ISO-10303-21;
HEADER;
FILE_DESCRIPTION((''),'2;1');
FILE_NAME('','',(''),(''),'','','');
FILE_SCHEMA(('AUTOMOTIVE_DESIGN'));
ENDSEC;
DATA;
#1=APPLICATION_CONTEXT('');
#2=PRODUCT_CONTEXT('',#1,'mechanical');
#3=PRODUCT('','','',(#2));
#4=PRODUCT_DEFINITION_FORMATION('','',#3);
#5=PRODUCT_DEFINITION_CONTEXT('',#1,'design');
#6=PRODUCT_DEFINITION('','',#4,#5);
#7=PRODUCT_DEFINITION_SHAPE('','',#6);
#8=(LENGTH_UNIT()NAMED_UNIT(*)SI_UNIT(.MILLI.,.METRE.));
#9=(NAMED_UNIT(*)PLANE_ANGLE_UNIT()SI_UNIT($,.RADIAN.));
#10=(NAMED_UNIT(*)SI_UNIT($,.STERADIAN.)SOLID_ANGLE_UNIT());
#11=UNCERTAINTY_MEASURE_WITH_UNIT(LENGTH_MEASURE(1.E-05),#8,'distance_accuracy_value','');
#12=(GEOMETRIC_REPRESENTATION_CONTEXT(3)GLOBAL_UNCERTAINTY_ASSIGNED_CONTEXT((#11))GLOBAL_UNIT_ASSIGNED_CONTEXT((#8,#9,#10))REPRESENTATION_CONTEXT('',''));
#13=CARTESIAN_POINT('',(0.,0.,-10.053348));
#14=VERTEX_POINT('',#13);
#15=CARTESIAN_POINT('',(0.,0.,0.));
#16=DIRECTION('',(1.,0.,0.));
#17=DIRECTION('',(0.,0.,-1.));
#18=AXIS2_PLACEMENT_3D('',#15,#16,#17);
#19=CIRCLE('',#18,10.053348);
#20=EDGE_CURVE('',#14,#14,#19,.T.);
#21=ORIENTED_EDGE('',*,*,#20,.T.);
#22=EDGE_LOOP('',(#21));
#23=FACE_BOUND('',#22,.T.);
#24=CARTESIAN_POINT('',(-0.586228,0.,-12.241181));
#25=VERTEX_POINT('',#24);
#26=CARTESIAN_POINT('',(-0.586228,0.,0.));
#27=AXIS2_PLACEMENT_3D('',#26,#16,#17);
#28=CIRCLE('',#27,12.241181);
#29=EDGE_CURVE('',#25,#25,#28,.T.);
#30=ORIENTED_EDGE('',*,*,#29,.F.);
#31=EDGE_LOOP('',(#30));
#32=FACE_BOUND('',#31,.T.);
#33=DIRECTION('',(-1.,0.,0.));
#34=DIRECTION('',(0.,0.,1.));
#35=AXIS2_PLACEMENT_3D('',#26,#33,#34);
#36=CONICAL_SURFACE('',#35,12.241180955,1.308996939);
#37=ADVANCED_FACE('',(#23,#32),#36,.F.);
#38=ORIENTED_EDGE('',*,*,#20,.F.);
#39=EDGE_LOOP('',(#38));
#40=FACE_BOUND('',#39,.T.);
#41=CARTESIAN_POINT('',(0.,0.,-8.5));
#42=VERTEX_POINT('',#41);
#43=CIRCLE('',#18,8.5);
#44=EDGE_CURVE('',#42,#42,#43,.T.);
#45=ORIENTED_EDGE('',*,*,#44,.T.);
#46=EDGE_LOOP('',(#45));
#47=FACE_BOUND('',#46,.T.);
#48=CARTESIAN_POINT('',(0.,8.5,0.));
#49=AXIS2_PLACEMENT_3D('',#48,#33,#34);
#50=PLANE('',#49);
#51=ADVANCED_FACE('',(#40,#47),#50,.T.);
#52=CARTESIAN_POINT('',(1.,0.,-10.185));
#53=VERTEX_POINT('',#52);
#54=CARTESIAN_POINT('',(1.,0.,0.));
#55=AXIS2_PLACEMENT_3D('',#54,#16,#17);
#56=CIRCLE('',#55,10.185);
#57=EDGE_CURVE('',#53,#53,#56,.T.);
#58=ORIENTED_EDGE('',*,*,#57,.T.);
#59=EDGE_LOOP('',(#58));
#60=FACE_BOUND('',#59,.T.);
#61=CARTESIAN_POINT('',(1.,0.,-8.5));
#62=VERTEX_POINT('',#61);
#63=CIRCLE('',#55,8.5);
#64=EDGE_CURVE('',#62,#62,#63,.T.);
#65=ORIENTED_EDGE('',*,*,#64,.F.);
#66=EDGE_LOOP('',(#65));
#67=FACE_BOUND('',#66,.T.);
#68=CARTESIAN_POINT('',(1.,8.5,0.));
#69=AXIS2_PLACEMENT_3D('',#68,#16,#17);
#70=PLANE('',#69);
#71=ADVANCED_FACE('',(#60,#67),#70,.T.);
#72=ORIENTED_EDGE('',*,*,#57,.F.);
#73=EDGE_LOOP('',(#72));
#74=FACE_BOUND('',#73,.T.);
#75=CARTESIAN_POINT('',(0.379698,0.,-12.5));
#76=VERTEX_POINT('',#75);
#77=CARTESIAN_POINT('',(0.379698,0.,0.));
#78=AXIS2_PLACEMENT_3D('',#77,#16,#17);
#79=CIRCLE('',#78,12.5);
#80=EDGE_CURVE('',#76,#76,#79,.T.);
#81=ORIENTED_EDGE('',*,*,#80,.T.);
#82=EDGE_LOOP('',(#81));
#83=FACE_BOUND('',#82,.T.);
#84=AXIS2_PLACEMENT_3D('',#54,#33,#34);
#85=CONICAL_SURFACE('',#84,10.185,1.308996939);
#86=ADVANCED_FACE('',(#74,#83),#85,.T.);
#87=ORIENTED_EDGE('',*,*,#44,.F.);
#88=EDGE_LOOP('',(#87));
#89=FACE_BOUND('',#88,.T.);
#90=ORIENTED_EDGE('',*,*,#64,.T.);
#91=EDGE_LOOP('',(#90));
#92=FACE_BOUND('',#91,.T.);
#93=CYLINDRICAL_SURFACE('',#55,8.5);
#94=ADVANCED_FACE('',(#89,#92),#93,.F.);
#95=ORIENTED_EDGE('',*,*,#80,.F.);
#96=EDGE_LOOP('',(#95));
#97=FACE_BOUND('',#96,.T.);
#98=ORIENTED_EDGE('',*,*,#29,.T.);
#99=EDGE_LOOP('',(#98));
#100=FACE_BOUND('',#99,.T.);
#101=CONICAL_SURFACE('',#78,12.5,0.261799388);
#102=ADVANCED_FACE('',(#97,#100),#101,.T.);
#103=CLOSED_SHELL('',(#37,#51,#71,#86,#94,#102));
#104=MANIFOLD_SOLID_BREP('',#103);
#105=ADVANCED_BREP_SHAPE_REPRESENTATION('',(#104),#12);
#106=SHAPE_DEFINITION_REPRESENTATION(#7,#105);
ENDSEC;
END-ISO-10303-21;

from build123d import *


with BuildPart() as part:
    # Sketch1 → Revolve1 (revolve)
    with BuildSketch(Plane.XY):
        Polygon((0, 8.5), (1, 8.5), (1, 10.185), (0.37969762, 12.5), (-0.586228207, 12.241180955), (0, 10.053347502), align=None)
    revolve(axis=Axis((1, 0, 0), (-1, 0, 0)))


solid = part.part
